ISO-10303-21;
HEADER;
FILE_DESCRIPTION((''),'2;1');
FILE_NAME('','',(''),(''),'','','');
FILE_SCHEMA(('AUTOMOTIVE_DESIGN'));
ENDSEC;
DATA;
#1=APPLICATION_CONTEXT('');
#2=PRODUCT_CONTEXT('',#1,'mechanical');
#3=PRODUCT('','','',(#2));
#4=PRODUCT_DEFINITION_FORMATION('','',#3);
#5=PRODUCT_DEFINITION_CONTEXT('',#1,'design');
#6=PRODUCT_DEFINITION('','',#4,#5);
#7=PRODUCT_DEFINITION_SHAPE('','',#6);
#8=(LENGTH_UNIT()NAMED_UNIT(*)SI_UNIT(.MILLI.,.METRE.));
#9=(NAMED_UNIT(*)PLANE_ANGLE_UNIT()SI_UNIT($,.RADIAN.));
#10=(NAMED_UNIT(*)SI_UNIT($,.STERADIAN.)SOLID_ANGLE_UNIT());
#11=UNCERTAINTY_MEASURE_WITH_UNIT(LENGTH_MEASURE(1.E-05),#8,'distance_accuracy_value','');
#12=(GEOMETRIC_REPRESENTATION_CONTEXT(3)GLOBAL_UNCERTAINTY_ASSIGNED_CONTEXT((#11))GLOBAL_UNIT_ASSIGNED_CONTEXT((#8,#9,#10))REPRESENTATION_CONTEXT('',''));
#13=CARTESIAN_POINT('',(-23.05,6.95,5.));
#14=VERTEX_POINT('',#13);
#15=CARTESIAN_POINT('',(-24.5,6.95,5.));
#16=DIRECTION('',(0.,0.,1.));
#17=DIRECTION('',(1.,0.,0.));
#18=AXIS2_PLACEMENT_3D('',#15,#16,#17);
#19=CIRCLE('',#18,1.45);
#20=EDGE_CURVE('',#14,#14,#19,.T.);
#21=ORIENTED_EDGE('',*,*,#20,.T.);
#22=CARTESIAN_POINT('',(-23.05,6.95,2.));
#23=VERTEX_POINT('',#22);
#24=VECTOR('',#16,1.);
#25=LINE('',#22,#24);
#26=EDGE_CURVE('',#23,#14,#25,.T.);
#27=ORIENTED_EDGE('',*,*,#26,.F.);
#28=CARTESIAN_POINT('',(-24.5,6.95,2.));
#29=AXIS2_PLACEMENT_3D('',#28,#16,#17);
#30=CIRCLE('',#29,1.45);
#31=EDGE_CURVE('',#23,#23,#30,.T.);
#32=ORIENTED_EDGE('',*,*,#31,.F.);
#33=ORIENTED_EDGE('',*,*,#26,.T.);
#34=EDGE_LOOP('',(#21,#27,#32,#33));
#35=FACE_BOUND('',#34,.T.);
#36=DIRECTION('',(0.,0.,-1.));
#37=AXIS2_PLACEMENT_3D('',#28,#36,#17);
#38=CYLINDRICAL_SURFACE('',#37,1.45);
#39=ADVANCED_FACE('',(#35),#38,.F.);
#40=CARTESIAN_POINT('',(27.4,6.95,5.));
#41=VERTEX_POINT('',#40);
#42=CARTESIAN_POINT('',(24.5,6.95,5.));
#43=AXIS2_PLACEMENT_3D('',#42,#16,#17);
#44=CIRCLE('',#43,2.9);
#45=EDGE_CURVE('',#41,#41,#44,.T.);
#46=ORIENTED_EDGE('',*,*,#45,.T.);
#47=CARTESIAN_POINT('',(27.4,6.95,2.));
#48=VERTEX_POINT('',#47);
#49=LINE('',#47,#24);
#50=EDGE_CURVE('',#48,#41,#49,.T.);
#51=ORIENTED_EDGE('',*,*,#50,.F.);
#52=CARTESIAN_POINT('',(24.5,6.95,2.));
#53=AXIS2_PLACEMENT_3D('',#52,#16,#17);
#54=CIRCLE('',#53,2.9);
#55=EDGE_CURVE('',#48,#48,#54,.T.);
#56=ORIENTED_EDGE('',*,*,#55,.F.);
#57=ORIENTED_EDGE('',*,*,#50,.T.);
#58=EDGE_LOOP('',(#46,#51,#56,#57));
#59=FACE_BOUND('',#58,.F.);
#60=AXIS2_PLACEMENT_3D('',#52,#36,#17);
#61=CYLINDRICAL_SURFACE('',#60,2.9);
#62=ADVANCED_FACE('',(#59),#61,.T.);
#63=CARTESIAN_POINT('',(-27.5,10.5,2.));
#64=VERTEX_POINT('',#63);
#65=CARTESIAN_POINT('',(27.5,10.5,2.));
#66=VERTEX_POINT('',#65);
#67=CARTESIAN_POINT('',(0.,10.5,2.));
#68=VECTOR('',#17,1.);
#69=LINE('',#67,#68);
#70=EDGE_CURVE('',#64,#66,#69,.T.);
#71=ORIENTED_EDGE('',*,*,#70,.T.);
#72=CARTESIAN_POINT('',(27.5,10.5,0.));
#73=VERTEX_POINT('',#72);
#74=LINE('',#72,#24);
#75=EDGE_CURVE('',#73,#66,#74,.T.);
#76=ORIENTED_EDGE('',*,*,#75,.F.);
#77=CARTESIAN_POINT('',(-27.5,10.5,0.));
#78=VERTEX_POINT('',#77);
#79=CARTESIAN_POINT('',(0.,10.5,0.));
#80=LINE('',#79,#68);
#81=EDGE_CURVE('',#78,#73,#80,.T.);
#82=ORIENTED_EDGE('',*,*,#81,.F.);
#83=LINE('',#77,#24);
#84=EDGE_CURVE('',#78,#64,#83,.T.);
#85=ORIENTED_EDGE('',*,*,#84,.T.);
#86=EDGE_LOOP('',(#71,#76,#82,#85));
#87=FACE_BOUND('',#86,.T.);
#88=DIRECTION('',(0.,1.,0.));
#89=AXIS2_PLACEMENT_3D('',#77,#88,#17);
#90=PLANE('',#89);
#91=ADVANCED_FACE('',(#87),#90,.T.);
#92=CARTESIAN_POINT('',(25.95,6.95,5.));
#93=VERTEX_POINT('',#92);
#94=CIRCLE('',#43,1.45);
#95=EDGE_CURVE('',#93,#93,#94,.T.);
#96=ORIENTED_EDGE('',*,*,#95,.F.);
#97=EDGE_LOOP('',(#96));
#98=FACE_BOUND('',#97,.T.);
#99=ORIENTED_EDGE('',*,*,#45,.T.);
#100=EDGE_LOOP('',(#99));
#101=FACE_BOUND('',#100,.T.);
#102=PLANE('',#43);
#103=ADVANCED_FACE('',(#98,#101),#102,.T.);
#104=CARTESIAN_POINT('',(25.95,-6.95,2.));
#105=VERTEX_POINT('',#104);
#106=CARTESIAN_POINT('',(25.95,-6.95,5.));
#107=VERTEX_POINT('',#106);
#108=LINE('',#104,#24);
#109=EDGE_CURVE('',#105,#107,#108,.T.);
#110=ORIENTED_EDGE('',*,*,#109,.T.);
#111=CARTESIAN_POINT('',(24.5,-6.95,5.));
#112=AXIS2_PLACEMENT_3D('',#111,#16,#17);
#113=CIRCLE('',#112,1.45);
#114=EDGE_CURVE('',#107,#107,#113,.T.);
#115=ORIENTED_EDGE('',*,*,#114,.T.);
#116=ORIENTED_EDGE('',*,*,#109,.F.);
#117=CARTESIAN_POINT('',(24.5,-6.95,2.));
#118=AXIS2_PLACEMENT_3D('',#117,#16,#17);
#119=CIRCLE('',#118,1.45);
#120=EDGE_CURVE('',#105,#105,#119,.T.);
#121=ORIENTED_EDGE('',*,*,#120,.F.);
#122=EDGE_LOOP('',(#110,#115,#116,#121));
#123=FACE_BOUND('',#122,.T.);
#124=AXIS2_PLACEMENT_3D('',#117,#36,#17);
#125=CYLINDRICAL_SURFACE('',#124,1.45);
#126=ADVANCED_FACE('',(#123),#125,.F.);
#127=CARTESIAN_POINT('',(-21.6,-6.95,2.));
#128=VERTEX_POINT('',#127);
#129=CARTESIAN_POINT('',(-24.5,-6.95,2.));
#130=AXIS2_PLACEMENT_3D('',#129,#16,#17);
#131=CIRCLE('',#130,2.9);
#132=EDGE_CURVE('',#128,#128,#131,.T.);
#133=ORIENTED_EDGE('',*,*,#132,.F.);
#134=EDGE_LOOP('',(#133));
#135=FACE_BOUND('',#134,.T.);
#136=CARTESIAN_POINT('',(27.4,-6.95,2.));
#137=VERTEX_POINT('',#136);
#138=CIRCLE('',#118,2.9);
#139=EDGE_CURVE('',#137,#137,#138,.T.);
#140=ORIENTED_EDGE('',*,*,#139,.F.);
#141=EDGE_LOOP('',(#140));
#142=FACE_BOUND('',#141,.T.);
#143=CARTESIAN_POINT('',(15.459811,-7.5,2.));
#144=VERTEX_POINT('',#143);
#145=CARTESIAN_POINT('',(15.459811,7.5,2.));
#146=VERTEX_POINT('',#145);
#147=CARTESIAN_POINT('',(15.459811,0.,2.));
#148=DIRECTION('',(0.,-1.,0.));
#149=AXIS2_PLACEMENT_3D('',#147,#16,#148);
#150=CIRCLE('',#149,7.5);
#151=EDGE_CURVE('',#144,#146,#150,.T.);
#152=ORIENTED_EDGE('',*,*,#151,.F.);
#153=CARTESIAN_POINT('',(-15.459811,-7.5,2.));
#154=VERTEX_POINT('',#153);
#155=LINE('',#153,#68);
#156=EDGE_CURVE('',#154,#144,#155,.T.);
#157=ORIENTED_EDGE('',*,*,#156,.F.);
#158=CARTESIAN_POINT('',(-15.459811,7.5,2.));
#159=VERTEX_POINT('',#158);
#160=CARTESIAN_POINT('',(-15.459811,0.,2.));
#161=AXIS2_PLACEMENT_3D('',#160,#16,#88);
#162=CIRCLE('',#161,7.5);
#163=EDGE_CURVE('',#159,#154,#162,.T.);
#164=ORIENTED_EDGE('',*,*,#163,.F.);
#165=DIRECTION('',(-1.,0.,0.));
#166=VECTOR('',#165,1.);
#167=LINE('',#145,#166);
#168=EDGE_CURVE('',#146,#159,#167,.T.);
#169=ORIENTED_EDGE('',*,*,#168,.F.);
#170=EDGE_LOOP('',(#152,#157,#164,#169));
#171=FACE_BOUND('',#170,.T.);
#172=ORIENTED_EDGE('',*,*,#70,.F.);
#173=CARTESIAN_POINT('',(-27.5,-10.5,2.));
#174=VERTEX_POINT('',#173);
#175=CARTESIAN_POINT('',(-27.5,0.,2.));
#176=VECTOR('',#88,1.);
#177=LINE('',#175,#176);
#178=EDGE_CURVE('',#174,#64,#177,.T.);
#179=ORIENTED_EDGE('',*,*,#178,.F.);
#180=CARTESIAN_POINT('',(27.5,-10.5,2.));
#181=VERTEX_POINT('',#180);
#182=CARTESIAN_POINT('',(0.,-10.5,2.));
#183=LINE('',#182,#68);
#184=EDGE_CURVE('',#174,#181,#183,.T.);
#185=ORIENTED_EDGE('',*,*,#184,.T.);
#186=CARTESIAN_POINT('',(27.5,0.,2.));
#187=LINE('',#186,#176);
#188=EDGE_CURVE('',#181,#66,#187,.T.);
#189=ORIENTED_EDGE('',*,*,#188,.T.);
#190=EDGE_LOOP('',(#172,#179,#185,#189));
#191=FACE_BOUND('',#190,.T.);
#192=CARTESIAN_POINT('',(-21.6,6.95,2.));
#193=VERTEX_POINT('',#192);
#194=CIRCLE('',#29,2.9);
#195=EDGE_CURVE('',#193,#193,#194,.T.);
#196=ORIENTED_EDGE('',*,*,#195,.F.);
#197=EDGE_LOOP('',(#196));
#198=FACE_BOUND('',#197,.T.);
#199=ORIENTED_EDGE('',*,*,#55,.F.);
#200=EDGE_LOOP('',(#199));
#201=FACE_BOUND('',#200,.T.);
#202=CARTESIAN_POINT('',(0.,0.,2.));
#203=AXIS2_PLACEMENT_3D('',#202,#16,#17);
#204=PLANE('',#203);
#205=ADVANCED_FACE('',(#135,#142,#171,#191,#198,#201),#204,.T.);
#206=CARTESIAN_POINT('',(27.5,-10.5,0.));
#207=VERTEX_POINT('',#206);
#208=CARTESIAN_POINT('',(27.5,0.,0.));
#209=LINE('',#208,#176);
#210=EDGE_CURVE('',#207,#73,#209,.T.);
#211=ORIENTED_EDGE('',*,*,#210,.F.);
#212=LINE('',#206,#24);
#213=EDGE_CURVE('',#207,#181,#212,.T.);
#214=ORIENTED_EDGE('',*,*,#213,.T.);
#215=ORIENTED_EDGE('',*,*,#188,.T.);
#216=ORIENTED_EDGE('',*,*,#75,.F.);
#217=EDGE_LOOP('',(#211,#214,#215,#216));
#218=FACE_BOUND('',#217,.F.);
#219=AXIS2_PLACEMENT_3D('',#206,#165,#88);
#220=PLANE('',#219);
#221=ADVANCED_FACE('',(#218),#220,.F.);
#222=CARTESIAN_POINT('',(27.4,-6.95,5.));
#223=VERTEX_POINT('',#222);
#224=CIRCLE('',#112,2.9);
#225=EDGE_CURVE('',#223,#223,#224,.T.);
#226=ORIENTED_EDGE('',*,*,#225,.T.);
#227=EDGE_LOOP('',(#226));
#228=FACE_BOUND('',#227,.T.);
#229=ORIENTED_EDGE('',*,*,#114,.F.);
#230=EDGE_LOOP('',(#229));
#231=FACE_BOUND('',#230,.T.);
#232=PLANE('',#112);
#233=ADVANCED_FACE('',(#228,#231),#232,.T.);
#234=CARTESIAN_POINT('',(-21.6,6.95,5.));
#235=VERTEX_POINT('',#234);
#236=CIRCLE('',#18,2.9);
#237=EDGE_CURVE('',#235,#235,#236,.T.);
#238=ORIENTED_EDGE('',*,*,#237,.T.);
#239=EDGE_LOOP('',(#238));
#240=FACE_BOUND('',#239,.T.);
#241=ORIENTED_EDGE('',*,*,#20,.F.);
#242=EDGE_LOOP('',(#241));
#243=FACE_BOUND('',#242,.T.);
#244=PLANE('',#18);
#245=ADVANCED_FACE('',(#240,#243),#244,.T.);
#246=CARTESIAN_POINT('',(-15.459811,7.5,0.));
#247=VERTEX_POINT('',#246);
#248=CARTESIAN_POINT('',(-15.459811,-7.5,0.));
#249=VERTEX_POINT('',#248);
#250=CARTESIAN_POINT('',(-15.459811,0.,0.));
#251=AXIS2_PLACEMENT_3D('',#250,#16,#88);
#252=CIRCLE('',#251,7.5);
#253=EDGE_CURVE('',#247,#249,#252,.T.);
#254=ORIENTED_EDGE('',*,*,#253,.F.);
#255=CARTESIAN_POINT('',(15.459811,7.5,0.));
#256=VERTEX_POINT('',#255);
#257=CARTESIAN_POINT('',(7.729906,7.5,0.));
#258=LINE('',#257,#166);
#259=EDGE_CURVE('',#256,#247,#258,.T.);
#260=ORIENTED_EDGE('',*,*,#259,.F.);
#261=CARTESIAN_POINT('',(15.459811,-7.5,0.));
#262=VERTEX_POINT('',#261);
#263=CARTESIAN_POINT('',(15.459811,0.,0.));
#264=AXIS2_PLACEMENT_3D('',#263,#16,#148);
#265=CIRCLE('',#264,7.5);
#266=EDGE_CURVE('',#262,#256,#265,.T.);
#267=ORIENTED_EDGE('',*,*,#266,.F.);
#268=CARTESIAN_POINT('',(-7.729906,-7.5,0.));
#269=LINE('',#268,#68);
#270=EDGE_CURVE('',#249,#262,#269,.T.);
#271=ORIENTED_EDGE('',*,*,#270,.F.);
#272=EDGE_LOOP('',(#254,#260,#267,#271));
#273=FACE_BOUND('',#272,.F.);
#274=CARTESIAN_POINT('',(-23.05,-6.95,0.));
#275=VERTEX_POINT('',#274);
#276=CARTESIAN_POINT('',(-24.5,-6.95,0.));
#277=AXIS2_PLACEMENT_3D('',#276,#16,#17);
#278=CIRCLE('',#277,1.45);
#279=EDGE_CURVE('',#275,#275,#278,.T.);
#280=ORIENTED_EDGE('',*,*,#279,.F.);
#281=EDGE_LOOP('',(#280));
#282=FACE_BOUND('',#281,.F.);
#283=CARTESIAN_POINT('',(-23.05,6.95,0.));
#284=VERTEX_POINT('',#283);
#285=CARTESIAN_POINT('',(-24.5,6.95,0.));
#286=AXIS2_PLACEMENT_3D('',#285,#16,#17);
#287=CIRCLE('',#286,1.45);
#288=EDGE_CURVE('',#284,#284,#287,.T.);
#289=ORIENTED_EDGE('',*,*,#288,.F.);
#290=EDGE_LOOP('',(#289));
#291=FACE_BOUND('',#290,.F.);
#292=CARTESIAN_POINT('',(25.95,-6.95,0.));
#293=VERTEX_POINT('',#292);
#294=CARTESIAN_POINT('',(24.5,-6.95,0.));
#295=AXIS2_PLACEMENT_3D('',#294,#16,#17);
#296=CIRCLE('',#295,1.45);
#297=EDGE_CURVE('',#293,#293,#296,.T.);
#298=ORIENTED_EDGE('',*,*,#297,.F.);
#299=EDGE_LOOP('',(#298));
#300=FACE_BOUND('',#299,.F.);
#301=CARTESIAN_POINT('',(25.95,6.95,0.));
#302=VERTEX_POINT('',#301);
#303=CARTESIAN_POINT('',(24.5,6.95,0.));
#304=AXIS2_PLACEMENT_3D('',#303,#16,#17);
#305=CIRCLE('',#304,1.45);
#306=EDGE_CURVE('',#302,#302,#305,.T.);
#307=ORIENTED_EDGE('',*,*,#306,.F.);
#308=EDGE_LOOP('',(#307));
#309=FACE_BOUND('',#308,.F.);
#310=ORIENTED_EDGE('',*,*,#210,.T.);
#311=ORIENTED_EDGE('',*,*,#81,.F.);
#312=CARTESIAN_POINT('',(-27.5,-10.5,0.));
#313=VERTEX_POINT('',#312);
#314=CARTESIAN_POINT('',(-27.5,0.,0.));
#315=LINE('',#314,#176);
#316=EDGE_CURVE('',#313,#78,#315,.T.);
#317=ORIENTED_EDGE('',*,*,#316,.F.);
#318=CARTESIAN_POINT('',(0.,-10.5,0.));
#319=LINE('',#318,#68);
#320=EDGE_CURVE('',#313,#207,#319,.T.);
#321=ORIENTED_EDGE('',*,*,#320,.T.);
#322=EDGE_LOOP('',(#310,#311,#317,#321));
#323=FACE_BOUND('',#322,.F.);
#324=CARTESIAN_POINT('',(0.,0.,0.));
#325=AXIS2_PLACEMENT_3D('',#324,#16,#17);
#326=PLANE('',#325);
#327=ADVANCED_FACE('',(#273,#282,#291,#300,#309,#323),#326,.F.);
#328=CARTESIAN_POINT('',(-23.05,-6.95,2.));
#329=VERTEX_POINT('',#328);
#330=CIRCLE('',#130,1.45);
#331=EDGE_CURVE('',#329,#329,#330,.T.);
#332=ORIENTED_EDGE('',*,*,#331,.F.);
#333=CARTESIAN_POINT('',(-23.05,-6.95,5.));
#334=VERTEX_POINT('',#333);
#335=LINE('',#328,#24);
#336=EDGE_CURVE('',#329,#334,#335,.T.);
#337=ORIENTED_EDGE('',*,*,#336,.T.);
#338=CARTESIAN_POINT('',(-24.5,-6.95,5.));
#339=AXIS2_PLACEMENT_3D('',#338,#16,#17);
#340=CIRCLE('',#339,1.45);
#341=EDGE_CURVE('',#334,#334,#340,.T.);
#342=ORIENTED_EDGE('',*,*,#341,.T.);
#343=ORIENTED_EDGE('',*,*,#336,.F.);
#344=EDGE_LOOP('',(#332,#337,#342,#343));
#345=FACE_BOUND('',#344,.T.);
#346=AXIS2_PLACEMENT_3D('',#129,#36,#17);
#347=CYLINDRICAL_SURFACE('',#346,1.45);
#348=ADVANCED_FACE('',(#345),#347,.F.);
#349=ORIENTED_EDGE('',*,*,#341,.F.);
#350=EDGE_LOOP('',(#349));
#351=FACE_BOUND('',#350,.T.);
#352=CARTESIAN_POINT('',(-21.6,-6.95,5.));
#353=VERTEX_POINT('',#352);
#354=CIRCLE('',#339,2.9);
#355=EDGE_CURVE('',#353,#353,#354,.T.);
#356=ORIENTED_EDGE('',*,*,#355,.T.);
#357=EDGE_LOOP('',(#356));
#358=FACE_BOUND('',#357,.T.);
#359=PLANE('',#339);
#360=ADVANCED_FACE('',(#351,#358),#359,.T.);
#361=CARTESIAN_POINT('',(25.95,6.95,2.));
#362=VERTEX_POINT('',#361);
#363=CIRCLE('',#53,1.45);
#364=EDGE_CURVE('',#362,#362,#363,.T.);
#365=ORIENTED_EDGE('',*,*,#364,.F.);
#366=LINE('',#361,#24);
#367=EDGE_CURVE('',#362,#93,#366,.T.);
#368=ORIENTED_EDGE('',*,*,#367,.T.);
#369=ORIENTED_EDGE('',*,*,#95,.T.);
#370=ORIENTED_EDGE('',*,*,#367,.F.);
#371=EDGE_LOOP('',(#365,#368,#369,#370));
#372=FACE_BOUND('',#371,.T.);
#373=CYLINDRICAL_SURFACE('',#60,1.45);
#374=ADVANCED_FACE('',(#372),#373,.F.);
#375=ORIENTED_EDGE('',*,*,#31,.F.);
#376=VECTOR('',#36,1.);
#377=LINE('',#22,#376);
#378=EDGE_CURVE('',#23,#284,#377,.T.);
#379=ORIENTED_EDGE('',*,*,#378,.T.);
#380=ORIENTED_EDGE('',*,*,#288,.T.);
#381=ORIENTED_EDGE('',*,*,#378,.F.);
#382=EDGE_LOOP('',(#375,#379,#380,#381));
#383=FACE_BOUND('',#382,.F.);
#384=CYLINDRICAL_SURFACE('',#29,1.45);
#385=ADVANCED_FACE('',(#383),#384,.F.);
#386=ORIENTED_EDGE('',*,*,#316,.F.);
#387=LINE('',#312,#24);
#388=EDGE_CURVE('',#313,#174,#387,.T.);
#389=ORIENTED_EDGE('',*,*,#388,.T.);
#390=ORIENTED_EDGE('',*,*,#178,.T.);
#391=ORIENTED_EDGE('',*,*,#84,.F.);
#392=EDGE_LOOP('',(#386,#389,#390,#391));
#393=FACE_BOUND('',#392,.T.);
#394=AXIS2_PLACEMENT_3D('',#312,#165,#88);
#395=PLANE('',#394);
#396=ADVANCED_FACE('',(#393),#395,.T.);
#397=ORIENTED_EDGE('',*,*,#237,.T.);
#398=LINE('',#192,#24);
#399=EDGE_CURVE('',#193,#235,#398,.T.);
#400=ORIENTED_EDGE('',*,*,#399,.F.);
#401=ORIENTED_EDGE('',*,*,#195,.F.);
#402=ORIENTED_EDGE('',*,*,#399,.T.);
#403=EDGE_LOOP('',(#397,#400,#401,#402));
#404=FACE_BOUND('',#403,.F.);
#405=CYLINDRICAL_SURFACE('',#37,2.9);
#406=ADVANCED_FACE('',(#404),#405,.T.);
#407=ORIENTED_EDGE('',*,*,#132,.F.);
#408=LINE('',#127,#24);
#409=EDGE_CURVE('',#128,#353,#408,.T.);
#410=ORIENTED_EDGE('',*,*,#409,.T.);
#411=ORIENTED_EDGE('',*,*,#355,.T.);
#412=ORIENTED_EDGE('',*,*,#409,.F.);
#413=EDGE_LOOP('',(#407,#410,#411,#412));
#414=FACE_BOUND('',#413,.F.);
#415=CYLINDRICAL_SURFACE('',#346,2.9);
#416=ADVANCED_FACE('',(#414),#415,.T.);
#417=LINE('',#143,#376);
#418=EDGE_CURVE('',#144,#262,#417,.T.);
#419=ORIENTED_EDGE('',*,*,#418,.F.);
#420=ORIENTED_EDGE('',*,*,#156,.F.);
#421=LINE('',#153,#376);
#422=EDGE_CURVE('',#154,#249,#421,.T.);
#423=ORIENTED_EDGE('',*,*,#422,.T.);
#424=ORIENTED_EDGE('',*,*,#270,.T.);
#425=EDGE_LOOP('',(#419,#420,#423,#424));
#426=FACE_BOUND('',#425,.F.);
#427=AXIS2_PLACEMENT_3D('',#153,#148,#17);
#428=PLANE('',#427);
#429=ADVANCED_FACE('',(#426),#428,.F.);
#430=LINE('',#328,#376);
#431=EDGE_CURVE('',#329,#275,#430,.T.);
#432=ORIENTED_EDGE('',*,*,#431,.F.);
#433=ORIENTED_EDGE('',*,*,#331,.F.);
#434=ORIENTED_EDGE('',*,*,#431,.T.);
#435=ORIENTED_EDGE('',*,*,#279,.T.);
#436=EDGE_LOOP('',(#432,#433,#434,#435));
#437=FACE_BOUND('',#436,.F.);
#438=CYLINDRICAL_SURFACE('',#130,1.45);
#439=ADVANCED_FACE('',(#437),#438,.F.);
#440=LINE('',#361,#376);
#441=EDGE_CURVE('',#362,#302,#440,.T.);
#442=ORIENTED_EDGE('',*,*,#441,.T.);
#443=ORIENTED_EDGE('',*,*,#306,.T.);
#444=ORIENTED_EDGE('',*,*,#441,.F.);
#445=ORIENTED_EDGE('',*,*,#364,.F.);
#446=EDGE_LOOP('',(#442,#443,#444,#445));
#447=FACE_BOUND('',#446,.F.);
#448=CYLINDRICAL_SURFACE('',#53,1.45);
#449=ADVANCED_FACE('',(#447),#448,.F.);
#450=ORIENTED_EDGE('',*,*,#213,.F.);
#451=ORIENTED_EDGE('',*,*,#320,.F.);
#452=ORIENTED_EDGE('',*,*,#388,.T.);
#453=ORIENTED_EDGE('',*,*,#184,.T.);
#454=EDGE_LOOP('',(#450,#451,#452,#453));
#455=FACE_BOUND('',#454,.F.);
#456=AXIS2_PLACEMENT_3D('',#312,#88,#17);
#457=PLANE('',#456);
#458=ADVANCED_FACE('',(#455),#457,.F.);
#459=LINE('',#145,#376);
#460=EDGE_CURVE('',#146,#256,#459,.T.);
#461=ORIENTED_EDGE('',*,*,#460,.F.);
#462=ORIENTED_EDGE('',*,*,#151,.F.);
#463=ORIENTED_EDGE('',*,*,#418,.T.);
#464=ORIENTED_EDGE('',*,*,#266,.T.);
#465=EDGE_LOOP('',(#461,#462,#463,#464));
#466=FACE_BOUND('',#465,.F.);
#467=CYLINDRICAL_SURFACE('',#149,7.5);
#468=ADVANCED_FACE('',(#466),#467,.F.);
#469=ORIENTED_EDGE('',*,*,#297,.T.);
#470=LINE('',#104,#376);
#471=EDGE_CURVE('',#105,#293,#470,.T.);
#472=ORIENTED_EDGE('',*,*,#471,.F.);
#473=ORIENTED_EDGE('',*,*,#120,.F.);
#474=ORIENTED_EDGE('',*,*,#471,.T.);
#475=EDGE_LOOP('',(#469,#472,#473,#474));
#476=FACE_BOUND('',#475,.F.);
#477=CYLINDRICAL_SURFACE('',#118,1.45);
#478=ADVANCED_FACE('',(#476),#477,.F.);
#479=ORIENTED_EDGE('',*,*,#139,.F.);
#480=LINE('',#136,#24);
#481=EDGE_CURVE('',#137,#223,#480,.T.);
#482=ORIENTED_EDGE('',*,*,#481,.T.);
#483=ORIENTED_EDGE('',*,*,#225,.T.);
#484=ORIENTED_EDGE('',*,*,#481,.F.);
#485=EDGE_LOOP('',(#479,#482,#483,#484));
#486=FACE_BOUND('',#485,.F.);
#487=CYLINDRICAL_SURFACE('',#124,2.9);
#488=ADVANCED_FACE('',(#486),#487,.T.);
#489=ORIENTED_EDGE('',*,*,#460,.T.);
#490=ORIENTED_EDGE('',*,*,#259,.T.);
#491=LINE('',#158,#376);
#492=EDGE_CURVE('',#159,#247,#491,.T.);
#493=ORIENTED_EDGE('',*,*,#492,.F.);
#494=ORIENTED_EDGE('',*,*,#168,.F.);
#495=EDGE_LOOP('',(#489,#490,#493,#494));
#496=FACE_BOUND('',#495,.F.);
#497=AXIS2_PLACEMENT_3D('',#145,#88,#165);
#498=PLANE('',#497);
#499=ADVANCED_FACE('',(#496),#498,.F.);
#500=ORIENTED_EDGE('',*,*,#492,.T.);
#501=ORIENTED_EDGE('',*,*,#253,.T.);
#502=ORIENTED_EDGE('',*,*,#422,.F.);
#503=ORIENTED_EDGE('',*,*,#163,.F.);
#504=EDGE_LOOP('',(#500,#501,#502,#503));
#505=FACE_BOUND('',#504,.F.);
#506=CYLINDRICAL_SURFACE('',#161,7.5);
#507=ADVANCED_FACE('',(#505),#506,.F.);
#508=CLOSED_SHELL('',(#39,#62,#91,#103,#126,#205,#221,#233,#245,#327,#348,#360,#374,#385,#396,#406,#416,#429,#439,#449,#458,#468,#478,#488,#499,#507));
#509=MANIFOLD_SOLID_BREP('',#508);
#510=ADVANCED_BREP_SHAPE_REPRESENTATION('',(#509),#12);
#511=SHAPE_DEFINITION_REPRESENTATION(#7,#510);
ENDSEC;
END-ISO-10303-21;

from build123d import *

# Parameters (mm, degrees)
SKETCH_W        = 55
SKETCH_H        = 21
PAD_DEPTH       = 2
SKETCH001_R     = 1.45
POCKET_DEPTH    = 2.001
SKETCH002_R     = 2.9
SKETCH002_R_2   = 1.45
PAD001_DEPTH    = 3
POCKET001_DEPTH = 2.001


with BuildPart() as part:
    # Sketch → Pad (new body)
    with BuildSketch(Plane.XY):
        Rectangle(SKETCH_W, SKETCH_H)
    extrude(amount=PAD_DEPTH)

    # Sketch001 (on Face6 of Pad) → Pocket (cut, through all)
    with BuildSketch(Plane.XY.offset(2)):
        with Locations((-24.5, 6.95)):
            Circle(SKETCH001_R)
        with Locations((24.5, 6.95)):
            Circle(SKETCH001_R)
        with Locations((24.5, -6.95)):
            Circle(SKETCH001_R)
        with Locations((-24.5, -6.95)):
            Circle(SKETCH001_R)
    extrude(amount=-POCKET_DEPTH, mode=Mode.SUBTRACT)

    # Sketch002 (on Face5 of Pocket) → Pad001 (join)
    with BuildSketch(Plane.XY.offset(2)):
        with Locations((-24.5, 6.95)):
            Circle(SKETCH002_R)
        with Locations((-24.5, 6.95)):
            Circle(SKETCH002_R_2, mode=Mode.SUBTRACT)
        with Locations((24.5, 6.95)):
            Circle(SKETCH002_R)
        with Locations((24.5, 6.95)):
            Circle(SKETCH002_R_2, mode=Mode.SUBTRACT)
        with Locations((24.5, -6.95)):
            Circle(SKETCH002_R)
        with Locations((24.5, -6.95)):
            Circle(SKETCH002_R_2, mode=Mode.SUBTRACT)
        with Locations((-24.5, -6.95)):
            Circle(SKETCH002_R)
        with Locations((-24.5, -6.95)):
            Circle(SKETCH002_R_2, mode=Mode.SUBTRACT)
    extrude(amount=PAD001_DEPTH)

    # Sketch003 (on Face5 of Pad001) → Pocket001 (cut, through all)
    with BuildSketch(Plane.XY.offset(2)):
        with BuildLine():
            ThreePointArc((-15.459811, 7.5), (-22.959811, 0), (-15.459811, -7.5))
            Line((-15.459811, -7.5), (15.459811, -7.5))
            ThreePointArc((15.459811, -7.5), (22.959811, 0), (15.459811, 7.5))
            Line((15.459811, 7.5), (-15.459811, 7.5))
        make_face()
    extrude(amount=-POCKET001_DEPTH, mode=Mode.SUBTRACT)


solid = part.part
